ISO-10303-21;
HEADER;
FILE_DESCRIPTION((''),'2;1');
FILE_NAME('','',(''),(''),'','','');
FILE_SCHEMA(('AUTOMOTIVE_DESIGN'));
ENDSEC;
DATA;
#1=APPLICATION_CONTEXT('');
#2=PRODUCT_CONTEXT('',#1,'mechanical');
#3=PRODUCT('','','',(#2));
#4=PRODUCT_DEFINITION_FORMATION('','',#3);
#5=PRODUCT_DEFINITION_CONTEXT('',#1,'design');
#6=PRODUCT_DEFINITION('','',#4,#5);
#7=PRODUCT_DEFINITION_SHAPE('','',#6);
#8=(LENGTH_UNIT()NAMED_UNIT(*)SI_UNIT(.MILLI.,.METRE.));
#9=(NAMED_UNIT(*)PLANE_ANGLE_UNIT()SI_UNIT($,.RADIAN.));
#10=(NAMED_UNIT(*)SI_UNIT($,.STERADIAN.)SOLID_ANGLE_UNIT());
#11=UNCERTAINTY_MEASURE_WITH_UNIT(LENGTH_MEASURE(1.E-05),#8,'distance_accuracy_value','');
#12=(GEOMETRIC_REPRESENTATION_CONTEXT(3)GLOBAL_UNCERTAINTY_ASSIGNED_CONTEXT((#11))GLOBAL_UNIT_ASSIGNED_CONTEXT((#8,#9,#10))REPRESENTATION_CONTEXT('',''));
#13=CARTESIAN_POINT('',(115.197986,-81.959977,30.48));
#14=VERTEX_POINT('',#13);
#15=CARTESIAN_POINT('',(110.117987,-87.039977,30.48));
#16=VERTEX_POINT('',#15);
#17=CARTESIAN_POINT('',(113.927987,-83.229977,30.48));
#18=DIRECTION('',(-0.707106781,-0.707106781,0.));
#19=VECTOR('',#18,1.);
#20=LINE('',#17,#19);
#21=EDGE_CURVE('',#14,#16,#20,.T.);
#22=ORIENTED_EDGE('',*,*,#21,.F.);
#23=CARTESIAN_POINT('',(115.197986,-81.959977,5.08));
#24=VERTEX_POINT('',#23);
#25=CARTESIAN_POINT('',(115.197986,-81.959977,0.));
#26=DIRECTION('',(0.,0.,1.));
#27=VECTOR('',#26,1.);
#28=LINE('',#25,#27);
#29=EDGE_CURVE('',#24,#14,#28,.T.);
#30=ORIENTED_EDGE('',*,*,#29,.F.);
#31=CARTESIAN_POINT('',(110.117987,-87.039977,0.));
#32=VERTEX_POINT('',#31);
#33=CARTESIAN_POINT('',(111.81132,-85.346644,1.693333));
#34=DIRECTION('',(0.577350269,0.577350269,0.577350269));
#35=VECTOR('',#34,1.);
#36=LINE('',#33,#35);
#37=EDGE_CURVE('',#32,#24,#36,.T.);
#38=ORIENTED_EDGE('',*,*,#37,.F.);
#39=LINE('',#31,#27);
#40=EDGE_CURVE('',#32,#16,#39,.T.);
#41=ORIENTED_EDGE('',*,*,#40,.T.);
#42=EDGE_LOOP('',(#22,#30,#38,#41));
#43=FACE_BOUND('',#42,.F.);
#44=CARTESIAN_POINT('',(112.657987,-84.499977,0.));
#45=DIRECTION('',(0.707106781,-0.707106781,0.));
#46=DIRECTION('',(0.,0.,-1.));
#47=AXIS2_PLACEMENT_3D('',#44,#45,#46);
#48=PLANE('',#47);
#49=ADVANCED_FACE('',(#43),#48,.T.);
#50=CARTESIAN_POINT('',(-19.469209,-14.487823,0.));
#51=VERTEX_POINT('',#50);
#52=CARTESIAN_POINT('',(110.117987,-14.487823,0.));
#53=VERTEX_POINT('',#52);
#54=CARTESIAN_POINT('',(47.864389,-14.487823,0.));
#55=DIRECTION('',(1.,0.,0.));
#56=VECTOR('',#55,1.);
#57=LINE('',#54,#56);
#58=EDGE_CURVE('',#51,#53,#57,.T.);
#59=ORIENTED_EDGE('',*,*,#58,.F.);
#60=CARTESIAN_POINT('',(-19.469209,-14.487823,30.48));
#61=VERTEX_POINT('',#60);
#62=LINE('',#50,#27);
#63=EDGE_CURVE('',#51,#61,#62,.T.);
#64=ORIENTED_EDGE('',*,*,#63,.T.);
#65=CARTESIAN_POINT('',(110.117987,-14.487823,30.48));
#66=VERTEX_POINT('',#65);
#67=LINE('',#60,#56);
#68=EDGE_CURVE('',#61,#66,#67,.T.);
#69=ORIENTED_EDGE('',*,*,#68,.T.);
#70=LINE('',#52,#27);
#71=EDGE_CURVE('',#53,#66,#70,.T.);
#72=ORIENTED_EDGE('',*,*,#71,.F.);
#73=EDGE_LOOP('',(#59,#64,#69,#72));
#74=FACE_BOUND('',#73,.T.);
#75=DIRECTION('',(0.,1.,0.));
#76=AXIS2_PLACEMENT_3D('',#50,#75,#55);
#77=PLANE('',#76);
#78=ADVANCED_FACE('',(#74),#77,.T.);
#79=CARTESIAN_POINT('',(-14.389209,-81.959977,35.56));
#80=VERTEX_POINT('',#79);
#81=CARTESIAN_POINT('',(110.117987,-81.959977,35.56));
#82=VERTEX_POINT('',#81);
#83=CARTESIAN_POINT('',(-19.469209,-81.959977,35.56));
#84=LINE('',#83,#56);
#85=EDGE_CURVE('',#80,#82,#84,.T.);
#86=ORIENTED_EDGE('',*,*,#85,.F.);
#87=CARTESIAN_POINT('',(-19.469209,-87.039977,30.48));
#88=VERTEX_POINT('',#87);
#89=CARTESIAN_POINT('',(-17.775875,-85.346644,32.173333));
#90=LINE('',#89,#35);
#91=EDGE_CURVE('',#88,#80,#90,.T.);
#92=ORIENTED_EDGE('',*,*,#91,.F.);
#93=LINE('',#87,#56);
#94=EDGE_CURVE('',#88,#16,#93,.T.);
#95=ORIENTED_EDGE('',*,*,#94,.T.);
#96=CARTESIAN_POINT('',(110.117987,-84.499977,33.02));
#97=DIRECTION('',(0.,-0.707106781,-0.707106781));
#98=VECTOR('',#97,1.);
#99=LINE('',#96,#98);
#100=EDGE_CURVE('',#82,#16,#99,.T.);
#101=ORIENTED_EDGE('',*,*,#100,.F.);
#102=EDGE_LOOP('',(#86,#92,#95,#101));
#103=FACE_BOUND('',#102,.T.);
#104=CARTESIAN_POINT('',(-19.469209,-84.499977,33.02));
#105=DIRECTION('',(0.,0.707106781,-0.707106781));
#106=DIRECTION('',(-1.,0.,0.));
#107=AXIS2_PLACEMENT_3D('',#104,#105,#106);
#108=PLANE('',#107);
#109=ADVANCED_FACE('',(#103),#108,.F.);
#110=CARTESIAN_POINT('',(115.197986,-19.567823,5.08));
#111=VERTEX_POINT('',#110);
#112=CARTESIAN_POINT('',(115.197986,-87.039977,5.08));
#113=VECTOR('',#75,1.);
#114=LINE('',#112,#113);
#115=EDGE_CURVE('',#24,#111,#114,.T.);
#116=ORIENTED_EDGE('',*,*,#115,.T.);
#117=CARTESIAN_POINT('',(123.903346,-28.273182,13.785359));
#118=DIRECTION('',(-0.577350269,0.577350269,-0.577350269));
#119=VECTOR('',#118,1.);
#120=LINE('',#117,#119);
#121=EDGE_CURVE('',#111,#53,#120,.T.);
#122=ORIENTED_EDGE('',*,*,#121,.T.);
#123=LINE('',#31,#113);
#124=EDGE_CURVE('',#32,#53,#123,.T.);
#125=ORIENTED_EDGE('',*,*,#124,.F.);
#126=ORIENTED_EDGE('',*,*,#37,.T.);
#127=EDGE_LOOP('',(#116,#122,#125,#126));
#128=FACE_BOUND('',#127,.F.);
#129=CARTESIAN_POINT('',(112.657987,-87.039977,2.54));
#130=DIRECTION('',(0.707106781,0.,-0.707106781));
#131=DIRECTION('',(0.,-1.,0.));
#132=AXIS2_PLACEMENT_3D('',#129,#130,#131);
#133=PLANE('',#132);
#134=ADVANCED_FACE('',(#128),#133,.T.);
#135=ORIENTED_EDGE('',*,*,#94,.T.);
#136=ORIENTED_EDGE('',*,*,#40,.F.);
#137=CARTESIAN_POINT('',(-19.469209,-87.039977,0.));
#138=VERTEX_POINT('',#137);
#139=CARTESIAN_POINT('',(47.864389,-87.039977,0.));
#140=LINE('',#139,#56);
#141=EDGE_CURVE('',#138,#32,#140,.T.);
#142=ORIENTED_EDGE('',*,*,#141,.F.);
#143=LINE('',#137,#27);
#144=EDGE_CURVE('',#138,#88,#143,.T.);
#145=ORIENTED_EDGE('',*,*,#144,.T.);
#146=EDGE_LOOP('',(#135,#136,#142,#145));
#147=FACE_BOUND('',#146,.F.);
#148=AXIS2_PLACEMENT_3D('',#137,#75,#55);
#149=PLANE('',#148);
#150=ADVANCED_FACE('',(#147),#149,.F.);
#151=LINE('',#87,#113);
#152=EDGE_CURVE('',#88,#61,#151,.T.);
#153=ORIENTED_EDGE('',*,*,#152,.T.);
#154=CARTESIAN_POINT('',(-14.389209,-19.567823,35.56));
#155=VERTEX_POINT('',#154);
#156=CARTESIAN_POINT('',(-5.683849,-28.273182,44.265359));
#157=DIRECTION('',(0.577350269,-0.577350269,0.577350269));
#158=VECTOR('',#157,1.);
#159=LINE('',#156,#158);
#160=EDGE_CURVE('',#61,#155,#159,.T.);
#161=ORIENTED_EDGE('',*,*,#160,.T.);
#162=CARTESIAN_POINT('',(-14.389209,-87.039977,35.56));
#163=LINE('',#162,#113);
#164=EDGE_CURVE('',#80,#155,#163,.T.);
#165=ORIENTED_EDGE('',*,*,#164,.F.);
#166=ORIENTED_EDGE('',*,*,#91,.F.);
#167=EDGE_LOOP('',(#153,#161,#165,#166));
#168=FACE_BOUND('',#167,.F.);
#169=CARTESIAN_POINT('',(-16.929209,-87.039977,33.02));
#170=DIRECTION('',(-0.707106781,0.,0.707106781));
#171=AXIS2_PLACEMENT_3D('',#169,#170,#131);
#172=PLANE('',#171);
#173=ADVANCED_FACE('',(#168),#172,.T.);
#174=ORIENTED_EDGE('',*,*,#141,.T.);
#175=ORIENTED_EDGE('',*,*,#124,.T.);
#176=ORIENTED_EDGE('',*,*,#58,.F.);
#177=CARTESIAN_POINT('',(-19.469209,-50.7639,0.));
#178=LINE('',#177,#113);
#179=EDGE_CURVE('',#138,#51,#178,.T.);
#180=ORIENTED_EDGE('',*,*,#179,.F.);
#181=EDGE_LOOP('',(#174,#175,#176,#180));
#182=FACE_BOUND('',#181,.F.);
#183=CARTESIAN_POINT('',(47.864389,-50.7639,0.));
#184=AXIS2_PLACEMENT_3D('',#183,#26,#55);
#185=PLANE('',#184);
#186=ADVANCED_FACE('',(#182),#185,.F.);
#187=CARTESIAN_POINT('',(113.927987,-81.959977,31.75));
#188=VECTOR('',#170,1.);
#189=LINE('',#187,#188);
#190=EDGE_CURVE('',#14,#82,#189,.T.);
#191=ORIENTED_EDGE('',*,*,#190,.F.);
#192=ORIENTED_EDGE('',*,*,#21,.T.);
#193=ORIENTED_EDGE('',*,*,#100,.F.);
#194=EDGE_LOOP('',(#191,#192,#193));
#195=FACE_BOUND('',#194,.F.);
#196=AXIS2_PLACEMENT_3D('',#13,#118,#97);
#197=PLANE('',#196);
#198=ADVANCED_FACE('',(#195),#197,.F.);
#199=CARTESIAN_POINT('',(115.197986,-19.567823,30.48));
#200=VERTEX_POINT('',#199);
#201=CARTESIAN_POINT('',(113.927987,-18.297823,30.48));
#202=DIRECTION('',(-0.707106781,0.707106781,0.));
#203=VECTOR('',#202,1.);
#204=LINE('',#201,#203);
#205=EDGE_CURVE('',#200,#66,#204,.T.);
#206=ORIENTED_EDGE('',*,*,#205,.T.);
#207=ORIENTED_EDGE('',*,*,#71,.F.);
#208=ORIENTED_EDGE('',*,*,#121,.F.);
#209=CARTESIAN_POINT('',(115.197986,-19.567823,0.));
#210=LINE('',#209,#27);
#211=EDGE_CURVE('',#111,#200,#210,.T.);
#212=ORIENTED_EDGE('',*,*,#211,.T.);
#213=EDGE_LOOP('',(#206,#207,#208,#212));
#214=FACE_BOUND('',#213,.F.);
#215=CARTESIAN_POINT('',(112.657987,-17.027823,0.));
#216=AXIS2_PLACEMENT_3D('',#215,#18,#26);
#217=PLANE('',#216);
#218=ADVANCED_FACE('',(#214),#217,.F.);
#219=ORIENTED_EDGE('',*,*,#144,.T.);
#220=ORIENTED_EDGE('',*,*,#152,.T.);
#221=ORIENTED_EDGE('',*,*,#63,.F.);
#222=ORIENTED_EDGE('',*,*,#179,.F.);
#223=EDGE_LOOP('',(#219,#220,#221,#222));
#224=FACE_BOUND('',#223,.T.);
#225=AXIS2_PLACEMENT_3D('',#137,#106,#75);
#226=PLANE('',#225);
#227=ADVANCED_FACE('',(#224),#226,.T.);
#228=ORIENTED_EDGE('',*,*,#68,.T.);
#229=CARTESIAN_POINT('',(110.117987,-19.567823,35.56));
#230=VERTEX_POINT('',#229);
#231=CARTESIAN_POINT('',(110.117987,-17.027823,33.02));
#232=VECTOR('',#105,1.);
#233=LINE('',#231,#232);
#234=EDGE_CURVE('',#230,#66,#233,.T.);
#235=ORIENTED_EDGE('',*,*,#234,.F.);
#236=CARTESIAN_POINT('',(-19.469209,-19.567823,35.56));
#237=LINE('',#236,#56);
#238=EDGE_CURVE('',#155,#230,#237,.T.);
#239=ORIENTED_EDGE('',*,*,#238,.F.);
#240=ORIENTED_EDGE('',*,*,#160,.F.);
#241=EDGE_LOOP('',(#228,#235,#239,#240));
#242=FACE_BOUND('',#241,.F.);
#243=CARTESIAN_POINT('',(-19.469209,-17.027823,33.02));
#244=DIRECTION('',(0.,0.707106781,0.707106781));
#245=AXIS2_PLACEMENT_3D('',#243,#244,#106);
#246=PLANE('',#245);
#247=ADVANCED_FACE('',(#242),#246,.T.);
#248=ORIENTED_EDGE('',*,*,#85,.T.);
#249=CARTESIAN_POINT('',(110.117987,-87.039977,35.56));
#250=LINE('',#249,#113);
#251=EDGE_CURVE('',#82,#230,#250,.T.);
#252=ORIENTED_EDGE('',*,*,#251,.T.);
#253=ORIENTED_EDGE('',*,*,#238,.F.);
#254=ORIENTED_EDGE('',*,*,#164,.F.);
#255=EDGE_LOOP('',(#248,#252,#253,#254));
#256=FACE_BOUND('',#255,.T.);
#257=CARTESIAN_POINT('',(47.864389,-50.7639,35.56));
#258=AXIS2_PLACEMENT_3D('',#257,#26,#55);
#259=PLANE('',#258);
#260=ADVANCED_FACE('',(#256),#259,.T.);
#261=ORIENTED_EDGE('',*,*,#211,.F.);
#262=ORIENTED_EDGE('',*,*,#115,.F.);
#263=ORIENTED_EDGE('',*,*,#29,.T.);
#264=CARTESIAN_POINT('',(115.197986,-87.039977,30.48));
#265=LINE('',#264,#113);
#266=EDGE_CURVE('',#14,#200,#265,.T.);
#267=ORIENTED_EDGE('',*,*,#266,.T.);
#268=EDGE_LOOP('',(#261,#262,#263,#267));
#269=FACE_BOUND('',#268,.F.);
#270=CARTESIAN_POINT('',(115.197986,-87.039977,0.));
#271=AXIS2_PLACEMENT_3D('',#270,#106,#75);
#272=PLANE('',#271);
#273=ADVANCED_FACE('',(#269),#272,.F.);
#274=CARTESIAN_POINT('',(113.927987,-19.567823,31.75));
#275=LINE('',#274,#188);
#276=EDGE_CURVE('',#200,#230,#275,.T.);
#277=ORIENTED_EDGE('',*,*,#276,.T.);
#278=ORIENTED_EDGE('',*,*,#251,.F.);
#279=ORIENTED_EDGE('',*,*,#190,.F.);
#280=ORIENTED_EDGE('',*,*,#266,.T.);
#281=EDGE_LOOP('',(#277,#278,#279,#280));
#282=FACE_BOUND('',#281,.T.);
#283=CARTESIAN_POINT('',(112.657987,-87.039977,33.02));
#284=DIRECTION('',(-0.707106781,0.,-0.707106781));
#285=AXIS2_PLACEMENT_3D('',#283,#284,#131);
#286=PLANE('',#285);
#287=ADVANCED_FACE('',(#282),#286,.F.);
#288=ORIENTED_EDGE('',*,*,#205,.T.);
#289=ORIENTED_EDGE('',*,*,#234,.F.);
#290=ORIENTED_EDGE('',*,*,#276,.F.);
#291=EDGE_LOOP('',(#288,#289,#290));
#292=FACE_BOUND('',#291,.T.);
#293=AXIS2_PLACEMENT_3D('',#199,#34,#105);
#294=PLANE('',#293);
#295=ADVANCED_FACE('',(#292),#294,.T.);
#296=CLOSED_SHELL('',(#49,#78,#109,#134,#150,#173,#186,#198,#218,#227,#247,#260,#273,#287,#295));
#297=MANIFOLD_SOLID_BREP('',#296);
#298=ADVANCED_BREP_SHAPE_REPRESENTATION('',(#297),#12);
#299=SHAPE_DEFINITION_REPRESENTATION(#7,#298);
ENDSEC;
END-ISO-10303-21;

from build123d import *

# Parameters (mm, degrees)
F0_W     = 134.667195
F0_H     = 72.552154
F1_DEPTH = 35.56
F2_SIZE  = 5.08


with BuildPart() as f1:
    # F0 (on Top) → F1 (new body)
    with BuildSketch(Plane.XY):
        with Locations((47.864389, -50.7639)):
            Rectangle(F0_W, F0_H)
    extrude(amount=F1_DEPTH)

    # F2
    f2_edges = [f1.edges().sort_by_distance(p)[0] for p in [
        (47.864389, -14.487823, 35.56),
        (-19.469209, -50.7639, 35.56),
        (47.864389, -87.039977, 35.56),
        (115.197986, -50.7639, 35.56),
        (115.197986, -87.039977, 17.78),
        (115.197986, -14.487823, 17.78),
        (115.197986, -50.7639, 0),
    ]]
    chamfer(f2_edges, length=F2_SIZE)


solid = f1.part
